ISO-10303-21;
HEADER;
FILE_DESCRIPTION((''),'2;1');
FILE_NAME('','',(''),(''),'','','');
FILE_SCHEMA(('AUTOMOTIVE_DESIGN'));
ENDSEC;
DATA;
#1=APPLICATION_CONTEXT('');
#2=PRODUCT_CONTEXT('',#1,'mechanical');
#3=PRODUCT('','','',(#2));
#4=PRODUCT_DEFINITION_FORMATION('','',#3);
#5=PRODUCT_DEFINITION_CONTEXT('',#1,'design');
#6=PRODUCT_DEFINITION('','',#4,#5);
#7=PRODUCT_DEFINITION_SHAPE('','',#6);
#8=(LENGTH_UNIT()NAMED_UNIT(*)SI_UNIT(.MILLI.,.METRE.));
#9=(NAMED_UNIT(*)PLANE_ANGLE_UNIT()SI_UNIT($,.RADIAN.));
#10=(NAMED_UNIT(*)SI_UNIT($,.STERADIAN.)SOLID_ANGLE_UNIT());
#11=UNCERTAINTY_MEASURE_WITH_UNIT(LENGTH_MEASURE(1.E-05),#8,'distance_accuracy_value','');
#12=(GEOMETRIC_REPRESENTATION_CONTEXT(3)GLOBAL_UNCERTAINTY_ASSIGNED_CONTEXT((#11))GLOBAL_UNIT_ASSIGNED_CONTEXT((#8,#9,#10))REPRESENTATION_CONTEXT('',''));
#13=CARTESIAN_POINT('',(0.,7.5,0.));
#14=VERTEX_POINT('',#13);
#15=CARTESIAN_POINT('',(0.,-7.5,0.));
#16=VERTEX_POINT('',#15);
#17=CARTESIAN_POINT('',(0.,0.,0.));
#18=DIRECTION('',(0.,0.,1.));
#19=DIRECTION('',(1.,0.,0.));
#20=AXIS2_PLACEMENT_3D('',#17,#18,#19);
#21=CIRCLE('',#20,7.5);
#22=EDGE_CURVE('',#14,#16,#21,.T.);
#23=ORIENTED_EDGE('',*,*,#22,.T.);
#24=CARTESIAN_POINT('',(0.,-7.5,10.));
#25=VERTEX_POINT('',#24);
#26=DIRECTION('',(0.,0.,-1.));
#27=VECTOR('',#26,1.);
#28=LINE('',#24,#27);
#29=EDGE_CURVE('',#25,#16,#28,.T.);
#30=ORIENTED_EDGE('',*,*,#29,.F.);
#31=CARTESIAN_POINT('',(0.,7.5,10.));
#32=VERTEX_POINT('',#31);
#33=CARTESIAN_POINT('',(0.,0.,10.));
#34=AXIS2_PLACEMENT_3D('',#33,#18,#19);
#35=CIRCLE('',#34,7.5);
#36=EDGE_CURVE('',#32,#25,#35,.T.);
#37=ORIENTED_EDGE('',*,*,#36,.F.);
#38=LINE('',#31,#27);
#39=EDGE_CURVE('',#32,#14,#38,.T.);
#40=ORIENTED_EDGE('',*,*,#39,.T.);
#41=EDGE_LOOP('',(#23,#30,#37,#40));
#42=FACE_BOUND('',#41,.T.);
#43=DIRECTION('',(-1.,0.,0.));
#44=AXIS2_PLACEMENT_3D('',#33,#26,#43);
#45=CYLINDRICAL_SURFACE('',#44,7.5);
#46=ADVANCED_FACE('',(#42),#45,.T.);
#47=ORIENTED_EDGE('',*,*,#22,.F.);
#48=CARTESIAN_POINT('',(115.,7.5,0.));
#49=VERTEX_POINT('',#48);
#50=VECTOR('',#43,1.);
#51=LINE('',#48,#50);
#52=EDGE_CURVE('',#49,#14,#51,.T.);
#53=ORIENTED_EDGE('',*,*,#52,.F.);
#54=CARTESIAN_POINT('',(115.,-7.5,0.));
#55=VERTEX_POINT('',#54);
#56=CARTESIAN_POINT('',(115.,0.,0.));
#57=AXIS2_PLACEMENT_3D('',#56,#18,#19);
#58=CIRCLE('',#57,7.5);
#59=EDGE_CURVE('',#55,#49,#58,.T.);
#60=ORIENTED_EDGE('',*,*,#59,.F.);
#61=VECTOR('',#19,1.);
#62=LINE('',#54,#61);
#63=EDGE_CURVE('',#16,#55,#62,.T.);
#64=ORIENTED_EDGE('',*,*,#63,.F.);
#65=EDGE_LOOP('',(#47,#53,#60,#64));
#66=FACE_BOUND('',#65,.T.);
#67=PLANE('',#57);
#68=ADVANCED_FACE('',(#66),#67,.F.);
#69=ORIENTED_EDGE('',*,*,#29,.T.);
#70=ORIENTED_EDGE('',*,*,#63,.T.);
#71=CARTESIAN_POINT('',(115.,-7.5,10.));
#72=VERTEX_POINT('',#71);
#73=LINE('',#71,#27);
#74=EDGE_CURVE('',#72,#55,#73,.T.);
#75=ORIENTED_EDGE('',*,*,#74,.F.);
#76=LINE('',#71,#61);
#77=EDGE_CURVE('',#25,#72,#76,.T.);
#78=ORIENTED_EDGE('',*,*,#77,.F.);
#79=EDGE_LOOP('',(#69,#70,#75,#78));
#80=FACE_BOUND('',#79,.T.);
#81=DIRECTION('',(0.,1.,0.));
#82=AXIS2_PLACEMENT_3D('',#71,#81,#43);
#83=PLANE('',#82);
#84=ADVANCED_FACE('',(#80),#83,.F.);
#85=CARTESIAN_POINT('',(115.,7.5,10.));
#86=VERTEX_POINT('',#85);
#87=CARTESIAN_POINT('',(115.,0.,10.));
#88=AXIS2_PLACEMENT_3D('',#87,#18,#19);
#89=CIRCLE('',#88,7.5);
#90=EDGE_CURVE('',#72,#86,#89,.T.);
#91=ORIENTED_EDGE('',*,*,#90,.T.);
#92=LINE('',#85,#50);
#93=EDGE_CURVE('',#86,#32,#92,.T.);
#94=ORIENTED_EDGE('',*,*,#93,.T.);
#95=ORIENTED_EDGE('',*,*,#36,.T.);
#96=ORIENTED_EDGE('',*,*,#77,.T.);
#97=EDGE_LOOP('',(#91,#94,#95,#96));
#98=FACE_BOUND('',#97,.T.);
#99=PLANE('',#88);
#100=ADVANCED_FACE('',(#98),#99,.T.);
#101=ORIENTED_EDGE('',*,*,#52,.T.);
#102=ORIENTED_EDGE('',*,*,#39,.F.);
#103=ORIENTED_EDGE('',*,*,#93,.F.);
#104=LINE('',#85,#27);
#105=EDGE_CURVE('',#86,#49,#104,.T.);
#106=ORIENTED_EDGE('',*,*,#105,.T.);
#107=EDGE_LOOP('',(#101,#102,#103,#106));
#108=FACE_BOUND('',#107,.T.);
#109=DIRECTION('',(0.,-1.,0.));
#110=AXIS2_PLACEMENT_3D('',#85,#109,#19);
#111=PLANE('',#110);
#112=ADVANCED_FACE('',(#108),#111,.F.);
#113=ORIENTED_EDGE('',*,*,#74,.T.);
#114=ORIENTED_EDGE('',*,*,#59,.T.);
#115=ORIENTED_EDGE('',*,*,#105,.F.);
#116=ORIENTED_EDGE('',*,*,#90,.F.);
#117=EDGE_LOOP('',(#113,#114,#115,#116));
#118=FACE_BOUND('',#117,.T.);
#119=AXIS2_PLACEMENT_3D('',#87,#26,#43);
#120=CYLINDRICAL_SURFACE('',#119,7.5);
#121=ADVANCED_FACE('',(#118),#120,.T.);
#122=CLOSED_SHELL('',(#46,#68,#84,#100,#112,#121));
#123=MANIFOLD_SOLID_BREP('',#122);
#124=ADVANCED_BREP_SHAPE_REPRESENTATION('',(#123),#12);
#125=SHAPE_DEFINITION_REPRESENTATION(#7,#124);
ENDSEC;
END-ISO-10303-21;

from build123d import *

# Parameters (mm, degrees)
EXTRUDE_1_DEPTH = 10


with BuildPart() as part:
    # 草图1 → 凸台-拉伸1 (new body)
    with BuildSketch(Plane.XY):
        with BuildLine():
            Line((115, -7.5), (0, -7.5))
            ThreePointArc((0, -7.5), (-7.5, 0), (0, 7.5))
            Line((0, 7.5), (115, 7.5))
            ThreePointArc((115, 7.5), (122.5, 0), (115, -7.5))
        make_face()
    extrude(amount=EXTRUDE_1_DEPTH)


solid = part.part
